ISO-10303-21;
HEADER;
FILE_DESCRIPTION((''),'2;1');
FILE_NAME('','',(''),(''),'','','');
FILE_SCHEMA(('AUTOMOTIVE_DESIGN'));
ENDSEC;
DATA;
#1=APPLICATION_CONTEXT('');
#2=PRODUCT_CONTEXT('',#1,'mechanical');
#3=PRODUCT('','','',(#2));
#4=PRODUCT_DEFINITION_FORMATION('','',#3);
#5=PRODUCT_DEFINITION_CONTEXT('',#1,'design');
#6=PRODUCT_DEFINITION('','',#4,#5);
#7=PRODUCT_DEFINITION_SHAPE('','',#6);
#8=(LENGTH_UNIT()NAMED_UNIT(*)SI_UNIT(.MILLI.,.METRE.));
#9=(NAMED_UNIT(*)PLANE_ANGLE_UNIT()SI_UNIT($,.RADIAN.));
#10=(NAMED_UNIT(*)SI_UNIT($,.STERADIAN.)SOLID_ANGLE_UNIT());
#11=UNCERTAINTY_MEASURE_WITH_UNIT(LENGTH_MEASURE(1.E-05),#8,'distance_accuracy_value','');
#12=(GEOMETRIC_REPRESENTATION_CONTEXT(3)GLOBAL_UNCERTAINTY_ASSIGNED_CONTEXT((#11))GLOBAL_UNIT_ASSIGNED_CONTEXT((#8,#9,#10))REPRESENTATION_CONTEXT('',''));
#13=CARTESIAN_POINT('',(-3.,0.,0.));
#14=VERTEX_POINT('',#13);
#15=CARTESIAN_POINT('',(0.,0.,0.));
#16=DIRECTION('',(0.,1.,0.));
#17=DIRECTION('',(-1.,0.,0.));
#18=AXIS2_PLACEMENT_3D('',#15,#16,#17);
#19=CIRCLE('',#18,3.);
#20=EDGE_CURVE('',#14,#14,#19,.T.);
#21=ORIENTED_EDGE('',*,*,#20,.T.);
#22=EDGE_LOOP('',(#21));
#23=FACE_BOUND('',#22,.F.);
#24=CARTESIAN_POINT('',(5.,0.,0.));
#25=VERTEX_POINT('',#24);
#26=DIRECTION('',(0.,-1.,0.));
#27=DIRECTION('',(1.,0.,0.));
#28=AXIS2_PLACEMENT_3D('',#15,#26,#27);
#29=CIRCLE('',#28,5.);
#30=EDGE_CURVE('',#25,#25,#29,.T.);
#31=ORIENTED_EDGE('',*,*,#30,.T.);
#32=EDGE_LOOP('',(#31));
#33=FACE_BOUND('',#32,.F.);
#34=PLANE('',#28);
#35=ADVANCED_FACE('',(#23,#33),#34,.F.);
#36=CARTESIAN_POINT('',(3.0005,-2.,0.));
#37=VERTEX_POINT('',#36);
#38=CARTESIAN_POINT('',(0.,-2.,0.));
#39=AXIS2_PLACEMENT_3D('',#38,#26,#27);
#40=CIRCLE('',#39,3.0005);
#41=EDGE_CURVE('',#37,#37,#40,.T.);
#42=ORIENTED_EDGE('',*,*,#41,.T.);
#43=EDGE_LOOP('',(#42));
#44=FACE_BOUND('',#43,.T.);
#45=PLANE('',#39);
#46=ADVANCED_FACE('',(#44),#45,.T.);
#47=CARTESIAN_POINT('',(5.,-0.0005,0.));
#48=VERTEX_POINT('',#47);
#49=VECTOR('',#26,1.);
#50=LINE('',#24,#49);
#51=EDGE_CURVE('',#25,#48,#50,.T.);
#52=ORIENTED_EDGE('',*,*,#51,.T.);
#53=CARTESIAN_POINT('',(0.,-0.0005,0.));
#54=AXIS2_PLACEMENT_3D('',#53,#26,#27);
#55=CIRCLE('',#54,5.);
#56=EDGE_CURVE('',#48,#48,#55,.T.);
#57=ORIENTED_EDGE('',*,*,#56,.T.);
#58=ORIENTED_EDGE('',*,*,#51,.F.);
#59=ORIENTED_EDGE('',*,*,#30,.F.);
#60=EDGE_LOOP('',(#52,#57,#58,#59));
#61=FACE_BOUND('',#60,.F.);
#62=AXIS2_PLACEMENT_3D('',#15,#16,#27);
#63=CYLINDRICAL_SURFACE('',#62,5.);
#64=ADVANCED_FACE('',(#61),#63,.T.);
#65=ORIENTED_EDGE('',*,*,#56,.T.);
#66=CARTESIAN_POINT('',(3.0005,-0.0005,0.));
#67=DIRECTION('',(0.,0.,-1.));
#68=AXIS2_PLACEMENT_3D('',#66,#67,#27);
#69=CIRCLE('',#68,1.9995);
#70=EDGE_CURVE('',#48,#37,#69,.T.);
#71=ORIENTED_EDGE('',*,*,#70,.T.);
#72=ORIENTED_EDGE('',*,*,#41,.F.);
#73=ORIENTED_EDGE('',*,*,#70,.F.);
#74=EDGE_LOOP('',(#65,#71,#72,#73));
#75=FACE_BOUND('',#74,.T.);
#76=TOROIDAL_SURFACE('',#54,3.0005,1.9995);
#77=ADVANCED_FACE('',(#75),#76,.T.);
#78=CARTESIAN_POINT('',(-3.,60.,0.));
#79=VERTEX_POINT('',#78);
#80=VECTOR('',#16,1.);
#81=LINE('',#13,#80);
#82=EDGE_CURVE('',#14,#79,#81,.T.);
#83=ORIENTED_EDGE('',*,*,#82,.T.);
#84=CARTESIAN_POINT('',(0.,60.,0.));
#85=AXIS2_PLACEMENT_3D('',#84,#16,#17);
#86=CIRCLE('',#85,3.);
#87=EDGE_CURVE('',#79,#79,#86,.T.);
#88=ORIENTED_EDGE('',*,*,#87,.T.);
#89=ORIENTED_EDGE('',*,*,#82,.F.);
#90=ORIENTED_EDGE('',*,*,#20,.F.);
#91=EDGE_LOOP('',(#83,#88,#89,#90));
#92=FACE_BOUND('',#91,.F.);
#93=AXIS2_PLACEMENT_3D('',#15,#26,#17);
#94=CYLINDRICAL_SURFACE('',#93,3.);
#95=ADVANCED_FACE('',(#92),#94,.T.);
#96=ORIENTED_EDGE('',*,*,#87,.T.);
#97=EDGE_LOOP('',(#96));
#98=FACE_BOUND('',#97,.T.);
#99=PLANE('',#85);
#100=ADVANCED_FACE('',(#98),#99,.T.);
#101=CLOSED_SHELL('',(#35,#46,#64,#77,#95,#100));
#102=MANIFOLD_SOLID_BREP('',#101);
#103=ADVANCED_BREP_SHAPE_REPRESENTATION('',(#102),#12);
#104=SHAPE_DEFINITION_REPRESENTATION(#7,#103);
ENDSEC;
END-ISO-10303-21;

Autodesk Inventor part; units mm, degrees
ref_plane "YZ Plane" through (0, 0, 0) normal (1, 0, 0) x (0, 1, 0)
ref_plane "XZ Plane" through (0, 0, 0) normal (0, 1, 0) x (-1, 0, 0)
ref_plane "XY Plane" through (0, 0, 0) normal (0, 0, 1) x (1, 0, 0)
sketch "Esquisse1" plane through (0, 0, 0) normal (0, 1, 0) x (-1, 0, 0)
  circle A0 centre (0, 0) radius 3
  dimension "d0" = 6
extrude "Extrusion1" add sketch "Esquisse1" along normal blind 60
sketch "Esquisse2" plane through (0, 0, 0) normal (0, -1, 0) x (1, 0, 0)
  circle A0 centre (0, 0) radius 3 projected
  circle A1 centre (0, 0) radius 5
  dimension "d3" = 10
extrude "Extrusion2" add sketch "Esquisse2" along normal blind 2 contours A0 | A1
fillet "Congé1" radius 2 1 edges at (-5, -2, 0)
properties part number "vis_6mm_100mm"
